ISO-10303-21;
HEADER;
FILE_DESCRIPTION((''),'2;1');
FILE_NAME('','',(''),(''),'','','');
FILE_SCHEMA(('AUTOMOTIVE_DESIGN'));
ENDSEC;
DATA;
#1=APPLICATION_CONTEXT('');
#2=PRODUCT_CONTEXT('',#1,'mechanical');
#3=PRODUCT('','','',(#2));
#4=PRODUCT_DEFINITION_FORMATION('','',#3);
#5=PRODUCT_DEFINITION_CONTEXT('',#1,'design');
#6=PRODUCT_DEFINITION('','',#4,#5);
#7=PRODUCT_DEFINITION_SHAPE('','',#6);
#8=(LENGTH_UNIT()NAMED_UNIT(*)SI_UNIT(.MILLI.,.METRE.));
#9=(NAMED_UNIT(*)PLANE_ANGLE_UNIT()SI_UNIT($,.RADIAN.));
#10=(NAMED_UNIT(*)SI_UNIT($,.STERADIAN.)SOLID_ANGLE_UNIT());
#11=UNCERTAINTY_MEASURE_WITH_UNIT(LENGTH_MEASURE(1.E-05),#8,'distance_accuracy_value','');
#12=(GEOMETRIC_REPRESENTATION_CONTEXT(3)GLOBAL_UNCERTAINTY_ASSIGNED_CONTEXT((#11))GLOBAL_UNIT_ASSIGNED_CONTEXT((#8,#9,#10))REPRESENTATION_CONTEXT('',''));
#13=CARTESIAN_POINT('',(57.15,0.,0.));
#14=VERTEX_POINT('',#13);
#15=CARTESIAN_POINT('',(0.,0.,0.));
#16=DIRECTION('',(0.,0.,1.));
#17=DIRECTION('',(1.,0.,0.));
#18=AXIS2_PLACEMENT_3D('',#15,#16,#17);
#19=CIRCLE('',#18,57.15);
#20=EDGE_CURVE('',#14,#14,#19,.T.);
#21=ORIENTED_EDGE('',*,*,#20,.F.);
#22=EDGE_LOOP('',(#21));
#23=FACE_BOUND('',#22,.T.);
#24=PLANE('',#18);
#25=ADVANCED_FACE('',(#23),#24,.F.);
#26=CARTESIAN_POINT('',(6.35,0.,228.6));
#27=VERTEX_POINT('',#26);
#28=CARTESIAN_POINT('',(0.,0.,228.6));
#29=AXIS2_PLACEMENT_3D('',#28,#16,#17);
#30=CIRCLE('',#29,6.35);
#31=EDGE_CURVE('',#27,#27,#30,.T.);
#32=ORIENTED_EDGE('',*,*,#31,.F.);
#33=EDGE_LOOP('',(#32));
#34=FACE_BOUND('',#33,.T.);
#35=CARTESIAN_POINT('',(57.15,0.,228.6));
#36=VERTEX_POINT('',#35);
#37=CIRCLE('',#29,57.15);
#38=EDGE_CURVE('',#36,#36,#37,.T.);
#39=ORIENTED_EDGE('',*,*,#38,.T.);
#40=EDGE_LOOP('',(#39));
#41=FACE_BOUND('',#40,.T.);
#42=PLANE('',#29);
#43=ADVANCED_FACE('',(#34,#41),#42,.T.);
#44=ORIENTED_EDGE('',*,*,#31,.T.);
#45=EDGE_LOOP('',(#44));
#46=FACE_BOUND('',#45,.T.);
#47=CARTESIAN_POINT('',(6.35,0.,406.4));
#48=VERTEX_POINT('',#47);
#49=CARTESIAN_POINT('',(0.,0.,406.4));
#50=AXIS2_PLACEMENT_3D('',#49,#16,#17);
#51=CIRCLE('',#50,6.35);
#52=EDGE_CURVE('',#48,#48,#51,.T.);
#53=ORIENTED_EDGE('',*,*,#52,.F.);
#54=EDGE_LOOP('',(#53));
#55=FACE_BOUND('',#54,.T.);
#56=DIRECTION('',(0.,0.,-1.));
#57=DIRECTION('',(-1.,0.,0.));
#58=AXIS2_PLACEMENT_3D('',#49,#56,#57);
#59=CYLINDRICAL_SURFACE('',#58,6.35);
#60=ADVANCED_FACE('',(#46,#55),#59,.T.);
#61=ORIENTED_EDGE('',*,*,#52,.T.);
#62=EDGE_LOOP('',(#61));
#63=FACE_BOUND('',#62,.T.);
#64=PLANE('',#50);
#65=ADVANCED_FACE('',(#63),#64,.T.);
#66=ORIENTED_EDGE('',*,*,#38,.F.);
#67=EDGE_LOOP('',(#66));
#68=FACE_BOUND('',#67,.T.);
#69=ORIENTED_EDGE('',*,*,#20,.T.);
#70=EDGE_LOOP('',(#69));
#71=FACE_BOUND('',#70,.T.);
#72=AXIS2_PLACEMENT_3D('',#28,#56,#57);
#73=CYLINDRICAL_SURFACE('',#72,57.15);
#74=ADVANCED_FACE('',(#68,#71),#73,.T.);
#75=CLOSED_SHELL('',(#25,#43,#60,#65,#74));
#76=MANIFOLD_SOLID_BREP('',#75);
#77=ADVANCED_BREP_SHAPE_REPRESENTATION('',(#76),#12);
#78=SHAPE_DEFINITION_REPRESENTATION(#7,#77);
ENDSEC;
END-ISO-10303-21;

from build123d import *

# Parameters (mm, degrees)
SKETCH1_R           = 57.15
BOSS_EXTRUDE1_DEPTH = 228.6
SKETCH2_R           = 6.35
BOSS_EXTRUDE2_DEPTH = 177.8


with BuildPart() as part:
    # Sketch1 → Boss-Extrude1 (new body)
    with BuildSketch(Plane.XY):
        Circle(SKETCH1_R)
    extrude(amount=BOSS_EXTRUDE1_DEPTH)

    # Sketch2 → Boss-Extrude2 (add)
    with BuildSketch(Plane.XY.offset(228.6)):
        Circle(SKETCH2_R)
    extrude(amount=BOSS_EXTRUDE2_DEPTH)


solid = part.part
